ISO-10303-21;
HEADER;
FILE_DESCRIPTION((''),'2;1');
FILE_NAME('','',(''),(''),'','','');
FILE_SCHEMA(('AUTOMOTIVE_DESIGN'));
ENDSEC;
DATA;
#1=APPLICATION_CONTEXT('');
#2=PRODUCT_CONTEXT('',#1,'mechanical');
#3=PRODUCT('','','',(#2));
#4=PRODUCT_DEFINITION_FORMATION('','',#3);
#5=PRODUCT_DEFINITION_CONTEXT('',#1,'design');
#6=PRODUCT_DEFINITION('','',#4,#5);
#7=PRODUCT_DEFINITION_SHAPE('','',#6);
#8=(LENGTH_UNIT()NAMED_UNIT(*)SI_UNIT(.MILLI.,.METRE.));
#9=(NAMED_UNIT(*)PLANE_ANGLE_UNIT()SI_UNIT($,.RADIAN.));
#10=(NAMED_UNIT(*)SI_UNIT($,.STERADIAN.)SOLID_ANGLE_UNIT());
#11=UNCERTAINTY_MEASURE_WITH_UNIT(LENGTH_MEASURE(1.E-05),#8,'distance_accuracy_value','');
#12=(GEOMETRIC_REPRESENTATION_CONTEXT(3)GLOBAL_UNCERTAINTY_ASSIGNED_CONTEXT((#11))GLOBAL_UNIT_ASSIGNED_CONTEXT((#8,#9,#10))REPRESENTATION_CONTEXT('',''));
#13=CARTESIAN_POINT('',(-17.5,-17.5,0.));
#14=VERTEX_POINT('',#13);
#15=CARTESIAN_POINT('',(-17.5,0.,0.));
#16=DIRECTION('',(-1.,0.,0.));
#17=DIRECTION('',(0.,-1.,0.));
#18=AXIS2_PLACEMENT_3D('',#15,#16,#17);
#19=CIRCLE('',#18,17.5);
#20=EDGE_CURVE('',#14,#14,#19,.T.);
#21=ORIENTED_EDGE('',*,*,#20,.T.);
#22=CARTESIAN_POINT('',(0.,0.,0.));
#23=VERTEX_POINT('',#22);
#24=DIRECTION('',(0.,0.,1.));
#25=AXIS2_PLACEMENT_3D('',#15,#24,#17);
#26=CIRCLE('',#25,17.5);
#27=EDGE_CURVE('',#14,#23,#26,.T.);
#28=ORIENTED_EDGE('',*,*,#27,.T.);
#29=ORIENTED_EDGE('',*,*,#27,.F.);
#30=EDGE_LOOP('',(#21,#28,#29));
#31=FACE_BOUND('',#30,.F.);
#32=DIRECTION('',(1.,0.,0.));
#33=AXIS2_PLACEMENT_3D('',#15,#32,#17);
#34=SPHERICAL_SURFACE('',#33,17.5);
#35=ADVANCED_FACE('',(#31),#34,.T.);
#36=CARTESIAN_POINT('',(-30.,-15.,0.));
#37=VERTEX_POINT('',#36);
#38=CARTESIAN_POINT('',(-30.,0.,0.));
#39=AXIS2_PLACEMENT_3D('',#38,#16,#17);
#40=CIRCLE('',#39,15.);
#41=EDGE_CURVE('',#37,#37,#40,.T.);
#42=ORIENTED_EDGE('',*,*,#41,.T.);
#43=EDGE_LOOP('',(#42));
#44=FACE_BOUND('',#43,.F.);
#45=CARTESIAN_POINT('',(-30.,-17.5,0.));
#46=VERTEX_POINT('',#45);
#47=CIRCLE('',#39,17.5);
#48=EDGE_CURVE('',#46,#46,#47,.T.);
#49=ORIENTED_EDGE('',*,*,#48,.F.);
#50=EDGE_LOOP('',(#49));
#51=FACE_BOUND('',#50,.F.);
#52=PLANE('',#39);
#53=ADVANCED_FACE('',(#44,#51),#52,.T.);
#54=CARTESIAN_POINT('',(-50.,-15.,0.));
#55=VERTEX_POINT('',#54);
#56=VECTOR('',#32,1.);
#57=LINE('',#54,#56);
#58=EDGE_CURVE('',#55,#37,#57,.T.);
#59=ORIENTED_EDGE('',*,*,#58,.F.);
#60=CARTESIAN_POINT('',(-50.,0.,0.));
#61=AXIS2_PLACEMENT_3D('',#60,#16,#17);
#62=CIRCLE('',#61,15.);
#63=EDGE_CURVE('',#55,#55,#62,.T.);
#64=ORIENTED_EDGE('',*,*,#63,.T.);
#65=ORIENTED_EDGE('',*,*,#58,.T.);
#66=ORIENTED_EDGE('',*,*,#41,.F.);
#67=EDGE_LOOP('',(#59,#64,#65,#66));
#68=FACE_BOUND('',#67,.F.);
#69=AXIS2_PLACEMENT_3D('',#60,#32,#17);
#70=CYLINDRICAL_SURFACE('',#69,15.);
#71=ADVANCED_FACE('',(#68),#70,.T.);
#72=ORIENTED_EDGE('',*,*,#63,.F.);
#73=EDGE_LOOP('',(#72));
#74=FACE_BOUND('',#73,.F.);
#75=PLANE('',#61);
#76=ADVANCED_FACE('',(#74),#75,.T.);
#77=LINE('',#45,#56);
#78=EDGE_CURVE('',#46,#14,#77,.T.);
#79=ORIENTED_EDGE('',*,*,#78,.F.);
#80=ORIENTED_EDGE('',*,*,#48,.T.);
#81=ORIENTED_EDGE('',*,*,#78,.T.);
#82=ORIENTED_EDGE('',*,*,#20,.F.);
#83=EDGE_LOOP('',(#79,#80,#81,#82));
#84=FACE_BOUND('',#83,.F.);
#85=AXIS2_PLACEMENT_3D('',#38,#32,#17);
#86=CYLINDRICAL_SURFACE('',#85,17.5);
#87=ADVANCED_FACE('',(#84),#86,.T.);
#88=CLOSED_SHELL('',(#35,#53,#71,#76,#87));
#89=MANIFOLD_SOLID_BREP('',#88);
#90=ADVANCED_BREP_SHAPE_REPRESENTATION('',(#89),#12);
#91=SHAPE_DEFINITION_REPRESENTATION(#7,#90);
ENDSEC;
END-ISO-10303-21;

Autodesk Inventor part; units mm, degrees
ref_plane "YZ Plane" through (0, 0, 0) normal (1, 0, 0) x (0, 1, 0)
ref_plane "XZ Plane" through (0, 0, 0) normal (0, 1, 0) x (-1, 0, 0)
ref_plane "XY Plane" through (0, 0, 0) normal (0, 0, 1) x (1, 0, 0)
sketch "草圖1" plane through (0, 0, 0) normal (0, 0, 1) x (1, 0, 0)
  line L0 (-50, 0) -> (-50, -15)
  line L1 (-50, -15) -> (-30, -15)
  line L2 (-30, -15) -> (-30, -17.5)
  line L3 (-30, -17.5) -> (-17.5, -17.5)
  arc A0 (-17.5, -17.5) -> (0, 0) centre (-17.5, 0) ccw
  line L4 (0, 0) -> (-50, 0)
  dimension "d0" = 15
  dimension "d1" = 20
  dimension "d2" = 50
  dimension "d3" = 17.5
revolve "迴轉1" add sketch "草圖1" angle 360 about axis through (0, 0, 0) along (-1, 0, 0)
properties part number "2-2-3"
